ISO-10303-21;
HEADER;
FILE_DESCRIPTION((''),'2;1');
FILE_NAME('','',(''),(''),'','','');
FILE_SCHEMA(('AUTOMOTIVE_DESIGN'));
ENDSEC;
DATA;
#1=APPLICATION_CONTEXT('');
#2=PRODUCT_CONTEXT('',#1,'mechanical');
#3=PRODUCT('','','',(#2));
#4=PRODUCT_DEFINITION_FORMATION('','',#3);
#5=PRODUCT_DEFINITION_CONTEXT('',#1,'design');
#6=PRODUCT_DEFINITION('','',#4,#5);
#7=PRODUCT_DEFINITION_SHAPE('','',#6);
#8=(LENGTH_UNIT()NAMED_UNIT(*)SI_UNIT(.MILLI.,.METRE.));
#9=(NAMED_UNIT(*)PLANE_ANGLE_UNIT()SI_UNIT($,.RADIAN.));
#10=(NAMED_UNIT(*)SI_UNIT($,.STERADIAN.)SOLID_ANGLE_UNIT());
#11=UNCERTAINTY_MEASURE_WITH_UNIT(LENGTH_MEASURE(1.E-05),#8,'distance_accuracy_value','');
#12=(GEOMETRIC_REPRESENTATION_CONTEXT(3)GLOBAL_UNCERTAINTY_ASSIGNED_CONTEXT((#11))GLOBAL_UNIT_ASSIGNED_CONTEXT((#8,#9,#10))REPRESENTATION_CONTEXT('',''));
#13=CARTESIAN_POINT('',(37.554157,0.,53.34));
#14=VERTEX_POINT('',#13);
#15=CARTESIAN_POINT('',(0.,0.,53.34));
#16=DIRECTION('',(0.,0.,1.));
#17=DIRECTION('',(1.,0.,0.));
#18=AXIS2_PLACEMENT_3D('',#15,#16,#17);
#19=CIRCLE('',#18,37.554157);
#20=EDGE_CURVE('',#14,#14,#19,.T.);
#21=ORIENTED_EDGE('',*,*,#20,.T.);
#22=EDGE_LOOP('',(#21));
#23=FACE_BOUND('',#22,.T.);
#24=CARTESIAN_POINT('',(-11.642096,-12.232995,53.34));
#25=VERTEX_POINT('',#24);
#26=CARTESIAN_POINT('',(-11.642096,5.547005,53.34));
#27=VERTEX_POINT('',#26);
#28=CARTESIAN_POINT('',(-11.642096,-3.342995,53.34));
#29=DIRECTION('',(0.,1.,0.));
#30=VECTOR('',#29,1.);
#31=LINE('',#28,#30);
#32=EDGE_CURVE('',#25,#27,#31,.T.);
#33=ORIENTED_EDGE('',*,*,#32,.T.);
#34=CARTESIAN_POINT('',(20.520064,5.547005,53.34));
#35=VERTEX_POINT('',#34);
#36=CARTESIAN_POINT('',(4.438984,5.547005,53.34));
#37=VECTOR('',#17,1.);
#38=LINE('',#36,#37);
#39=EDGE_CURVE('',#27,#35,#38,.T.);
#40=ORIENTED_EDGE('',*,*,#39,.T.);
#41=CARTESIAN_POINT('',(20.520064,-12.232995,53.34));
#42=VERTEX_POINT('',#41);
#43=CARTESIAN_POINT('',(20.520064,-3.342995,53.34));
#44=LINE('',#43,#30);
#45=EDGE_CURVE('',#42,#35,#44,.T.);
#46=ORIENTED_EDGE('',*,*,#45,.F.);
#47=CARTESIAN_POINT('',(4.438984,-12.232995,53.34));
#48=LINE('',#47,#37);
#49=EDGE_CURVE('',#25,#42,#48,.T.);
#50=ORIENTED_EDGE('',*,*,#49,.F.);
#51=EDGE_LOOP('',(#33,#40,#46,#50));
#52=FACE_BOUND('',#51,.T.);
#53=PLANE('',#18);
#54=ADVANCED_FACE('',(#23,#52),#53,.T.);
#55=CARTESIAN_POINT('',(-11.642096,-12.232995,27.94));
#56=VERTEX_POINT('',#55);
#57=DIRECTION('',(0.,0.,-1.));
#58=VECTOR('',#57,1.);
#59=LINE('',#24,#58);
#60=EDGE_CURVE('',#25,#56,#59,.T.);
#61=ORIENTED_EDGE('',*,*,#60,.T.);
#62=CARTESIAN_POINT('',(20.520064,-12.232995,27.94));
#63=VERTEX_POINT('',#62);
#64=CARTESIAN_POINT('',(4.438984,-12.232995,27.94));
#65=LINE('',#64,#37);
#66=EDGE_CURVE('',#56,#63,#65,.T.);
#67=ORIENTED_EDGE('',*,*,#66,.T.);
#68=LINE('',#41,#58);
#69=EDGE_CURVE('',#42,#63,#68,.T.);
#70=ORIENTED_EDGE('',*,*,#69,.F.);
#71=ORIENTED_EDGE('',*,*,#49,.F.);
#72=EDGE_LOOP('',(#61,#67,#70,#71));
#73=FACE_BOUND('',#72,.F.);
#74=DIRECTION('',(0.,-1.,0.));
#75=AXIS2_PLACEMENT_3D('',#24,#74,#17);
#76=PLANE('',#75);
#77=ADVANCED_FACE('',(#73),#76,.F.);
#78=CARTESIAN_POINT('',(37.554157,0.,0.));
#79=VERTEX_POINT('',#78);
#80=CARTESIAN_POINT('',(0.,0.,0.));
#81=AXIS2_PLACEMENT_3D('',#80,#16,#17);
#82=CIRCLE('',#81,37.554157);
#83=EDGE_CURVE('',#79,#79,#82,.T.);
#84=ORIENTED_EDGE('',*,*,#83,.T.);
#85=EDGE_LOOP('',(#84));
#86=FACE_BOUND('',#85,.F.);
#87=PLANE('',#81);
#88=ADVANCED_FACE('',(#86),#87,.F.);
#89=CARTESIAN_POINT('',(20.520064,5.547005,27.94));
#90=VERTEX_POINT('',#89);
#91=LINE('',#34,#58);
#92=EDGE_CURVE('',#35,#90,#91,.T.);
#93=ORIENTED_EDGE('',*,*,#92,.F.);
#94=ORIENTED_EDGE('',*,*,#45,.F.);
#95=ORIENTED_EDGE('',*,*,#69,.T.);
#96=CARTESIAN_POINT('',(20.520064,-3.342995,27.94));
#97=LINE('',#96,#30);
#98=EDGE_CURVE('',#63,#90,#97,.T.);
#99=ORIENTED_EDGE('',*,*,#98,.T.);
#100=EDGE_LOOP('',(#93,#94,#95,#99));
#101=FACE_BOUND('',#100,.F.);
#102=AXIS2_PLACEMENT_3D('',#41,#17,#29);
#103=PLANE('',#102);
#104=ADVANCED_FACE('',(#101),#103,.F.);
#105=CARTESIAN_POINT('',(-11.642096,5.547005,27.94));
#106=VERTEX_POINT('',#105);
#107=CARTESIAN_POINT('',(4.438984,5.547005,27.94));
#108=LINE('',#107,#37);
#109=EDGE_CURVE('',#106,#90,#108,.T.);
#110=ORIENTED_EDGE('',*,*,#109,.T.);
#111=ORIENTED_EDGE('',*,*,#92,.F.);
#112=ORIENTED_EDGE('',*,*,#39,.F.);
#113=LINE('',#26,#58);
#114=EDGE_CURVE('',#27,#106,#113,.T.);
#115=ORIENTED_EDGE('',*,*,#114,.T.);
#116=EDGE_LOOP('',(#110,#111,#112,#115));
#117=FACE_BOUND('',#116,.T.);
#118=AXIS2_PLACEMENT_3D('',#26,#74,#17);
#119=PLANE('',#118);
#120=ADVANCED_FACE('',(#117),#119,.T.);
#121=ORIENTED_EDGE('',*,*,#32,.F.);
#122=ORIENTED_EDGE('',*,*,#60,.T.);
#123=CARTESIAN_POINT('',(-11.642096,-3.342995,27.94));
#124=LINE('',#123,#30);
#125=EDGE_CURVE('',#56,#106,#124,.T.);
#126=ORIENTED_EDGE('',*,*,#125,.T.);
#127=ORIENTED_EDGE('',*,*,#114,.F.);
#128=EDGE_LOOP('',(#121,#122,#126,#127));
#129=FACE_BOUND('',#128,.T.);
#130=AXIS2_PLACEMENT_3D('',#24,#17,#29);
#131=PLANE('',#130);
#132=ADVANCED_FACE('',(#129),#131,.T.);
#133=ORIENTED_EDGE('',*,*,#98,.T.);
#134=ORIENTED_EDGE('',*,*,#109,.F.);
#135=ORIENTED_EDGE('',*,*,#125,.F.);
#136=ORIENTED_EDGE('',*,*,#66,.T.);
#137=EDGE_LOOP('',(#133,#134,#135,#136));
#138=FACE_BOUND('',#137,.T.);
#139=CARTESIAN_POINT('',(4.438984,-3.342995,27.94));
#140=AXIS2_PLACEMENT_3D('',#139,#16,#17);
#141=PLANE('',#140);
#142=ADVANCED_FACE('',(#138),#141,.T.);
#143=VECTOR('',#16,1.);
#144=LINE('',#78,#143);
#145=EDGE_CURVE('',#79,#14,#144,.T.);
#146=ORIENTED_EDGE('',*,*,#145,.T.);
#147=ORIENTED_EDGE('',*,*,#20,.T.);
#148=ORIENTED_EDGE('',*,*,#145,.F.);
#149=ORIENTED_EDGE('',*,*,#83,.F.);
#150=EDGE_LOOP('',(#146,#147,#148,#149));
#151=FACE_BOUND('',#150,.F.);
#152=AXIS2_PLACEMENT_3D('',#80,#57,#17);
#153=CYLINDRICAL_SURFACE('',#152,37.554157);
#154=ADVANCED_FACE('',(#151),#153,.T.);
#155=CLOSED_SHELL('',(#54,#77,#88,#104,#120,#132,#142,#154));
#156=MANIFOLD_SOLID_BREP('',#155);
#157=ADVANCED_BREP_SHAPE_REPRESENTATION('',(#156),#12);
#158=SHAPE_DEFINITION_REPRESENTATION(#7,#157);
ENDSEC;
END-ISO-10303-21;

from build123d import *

# Parameters (mm, degrees)
F0_R     = 37.554157
F1_DEPTH = 53.34
F2_W     = 32.16216
F2_H     = 17.78
F3_DEPTH = 25.4


with BuildPart() as f1:
    # F0 (on Top) → F1 (new body)
    with BuildSketch(Plane.XY):
        Circle(F0_R)
    extrude(amount=F1_DEPTH)

    # F2 (on face) → F3 (cut)
    with BuildSketch(Plane.XY.offset(53.34)):
        with Locations((4.438984, -3.342995)):
            Rectangle(F2_W, F2_H)
    extrude(amount=-F3_DEPTH, mode=Mode.SUBTRACT)


solid = f1.part
